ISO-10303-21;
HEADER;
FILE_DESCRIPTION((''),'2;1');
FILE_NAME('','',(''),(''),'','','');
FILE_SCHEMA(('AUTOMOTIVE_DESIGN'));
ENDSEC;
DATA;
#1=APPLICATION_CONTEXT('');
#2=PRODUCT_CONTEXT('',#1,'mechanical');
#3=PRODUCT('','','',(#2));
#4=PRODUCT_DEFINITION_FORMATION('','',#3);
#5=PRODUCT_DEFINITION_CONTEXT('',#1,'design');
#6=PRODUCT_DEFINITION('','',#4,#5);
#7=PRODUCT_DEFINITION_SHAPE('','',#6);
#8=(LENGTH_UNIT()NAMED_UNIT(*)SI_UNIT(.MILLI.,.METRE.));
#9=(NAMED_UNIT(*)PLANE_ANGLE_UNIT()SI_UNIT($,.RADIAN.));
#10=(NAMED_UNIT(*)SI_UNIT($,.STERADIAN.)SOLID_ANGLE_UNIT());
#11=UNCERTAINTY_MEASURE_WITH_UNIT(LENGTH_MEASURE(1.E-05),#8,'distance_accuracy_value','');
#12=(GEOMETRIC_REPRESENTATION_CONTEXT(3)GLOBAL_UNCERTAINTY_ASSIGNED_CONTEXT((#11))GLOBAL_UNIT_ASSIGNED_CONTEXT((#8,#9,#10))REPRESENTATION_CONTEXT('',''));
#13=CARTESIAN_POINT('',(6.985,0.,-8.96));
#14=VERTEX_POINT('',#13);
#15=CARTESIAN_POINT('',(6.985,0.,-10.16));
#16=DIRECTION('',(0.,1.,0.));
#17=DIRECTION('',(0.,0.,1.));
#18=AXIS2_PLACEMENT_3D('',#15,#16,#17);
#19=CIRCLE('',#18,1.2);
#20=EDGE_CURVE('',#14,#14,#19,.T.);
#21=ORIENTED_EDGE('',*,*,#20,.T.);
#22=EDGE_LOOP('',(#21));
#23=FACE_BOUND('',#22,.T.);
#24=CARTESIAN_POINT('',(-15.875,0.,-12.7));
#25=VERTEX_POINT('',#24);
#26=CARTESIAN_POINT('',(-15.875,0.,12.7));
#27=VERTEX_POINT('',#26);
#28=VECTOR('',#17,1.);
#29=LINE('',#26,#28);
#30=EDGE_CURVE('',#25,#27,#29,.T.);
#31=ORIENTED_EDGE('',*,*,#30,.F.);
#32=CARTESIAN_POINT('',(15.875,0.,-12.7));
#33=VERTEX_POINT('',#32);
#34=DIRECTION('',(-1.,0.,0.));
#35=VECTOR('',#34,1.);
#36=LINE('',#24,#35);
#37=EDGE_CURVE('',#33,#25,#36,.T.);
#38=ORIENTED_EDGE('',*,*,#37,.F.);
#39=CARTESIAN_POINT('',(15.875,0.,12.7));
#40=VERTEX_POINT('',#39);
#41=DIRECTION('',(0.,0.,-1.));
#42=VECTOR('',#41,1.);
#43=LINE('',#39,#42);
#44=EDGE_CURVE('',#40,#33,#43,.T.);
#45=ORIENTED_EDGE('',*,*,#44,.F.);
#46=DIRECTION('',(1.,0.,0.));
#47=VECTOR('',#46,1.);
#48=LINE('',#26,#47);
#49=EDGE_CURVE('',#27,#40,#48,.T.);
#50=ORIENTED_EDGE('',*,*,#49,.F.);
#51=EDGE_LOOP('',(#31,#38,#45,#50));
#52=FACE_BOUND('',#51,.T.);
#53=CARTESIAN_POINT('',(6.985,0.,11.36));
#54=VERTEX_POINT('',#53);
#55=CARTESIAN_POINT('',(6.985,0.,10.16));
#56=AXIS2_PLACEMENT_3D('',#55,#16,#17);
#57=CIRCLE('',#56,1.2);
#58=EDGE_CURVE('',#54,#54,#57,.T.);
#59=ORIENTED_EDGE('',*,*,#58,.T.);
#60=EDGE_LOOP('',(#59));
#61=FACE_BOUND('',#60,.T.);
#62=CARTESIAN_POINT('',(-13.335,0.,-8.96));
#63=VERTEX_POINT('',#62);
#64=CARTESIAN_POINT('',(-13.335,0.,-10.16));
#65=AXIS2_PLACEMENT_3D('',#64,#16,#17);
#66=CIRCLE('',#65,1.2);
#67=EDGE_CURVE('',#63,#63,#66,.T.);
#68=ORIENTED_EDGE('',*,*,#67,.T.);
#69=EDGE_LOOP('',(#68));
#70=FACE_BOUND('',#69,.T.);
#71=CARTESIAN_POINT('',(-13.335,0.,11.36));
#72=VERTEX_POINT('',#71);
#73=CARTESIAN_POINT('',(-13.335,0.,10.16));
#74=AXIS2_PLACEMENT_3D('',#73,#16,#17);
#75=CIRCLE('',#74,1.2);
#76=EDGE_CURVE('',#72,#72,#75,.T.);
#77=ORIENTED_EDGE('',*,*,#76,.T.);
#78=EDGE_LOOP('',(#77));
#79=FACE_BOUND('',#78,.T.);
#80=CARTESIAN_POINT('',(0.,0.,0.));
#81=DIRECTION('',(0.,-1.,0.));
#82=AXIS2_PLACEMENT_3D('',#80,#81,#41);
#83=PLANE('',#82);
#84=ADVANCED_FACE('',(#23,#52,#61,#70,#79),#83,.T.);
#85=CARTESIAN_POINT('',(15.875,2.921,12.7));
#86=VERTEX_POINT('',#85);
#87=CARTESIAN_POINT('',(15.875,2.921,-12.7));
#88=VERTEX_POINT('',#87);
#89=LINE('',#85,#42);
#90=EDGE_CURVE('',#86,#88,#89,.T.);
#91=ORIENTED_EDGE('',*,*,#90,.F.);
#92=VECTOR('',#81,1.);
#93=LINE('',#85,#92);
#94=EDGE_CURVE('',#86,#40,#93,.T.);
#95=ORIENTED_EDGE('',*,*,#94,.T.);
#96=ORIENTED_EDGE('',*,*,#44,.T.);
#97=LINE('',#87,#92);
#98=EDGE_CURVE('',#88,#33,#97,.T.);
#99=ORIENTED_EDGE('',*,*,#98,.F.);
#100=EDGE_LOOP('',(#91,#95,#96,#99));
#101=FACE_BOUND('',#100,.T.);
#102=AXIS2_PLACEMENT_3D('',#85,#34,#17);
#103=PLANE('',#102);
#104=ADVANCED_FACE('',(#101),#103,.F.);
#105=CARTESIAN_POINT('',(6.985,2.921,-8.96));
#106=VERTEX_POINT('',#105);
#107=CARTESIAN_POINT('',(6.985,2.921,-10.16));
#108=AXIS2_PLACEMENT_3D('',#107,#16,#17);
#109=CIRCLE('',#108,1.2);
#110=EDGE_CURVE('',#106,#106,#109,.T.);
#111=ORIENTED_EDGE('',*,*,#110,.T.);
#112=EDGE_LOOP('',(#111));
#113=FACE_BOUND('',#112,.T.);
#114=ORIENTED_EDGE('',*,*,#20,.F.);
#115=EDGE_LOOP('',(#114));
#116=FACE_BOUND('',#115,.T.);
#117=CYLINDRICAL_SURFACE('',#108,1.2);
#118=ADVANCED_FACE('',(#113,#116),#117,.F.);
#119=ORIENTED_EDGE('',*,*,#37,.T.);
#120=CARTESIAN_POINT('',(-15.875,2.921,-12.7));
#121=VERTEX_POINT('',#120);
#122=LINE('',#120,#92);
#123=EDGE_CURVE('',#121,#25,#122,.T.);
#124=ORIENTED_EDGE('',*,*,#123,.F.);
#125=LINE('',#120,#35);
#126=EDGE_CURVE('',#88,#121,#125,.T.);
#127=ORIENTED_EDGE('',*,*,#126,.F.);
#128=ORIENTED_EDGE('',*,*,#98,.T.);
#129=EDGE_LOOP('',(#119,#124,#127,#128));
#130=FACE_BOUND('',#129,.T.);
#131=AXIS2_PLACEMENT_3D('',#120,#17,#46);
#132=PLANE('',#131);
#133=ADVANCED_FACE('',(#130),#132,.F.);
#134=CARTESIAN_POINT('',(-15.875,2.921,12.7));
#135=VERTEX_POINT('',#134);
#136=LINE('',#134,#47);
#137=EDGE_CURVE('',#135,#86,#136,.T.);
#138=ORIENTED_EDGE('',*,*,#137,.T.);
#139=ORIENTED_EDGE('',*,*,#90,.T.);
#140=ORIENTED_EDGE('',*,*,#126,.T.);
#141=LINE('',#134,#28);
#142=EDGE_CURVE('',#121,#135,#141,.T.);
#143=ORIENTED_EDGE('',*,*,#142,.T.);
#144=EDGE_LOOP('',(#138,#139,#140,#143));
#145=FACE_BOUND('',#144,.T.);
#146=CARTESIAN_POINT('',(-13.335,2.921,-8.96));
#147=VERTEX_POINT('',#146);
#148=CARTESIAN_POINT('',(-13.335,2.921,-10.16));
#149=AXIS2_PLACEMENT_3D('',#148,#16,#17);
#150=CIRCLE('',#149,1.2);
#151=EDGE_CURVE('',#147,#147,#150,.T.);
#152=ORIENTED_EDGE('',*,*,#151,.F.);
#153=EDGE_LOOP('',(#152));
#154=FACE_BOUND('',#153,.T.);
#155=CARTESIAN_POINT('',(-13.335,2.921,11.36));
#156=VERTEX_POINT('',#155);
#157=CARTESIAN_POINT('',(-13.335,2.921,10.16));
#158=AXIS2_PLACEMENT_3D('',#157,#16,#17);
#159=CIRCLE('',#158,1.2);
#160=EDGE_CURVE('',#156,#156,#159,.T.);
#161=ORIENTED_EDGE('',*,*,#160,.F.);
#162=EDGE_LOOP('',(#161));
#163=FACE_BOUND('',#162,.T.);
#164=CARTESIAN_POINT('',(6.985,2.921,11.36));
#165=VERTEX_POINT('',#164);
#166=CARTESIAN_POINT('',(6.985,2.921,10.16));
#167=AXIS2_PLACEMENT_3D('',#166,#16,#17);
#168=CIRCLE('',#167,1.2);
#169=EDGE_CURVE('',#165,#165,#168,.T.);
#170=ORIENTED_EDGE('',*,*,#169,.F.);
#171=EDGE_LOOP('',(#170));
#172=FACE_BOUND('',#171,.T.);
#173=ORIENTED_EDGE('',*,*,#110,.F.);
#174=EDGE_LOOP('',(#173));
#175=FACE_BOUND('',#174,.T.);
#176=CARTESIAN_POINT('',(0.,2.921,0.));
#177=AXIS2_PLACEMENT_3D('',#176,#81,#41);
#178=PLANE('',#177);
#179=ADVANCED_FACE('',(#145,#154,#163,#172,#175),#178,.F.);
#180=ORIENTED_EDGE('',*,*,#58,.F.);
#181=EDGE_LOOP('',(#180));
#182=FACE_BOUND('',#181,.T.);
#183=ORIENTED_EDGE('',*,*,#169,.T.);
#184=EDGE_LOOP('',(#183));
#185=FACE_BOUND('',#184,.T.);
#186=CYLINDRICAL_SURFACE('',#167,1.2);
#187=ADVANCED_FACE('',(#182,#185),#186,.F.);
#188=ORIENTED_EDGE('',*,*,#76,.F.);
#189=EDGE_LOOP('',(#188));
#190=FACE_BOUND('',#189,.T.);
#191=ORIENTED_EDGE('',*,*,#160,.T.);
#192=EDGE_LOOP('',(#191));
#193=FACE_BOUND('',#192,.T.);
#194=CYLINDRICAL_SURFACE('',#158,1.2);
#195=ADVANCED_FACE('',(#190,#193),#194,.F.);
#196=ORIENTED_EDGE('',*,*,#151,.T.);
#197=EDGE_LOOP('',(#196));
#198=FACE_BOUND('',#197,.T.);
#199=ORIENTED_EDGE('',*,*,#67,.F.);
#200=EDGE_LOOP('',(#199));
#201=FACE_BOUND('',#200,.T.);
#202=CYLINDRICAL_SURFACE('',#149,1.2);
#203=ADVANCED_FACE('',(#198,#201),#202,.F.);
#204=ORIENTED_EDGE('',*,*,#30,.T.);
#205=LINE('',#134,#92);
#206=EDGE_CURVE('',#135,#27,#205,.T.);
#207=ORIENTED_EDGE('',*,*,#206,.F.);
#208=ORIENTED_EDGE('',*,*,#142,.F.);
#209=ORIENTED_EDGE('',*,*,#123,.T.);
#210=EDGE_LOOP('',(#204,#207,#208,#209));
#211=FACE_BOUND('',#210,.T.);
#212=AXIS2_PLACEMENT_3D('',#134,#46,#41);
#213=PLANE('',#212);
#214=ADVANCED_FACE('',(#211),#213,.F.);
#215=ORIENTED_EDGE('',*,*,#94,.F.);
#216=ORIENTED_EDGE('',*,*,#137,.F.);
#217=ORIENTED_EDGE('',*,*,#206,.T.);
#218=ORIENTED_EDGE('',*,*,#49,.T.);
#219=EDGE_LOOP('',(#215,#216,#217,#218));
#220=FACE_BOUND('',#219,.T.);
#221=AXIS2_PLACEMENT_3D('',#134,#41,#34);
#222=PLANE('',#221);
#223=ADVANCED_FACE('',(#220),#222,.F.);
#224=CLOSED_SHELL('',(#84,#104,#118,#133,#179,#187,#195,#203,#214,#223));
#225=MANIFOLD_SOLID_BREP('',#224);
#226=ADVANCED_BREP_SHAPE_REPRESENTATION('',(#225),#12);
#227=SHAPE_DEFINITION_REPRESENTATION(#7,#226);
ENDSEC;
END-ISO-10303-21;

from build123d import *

# Parameters (mm, degrees)
SKETCH1_W            = 31.75
SKETCH1_H            = 25.4
BOSS_EXTRUDE1_DEPTH  = 2.921
M2_CLEARANCE_HOLE1_D = 2.4


with BuildPart() as part:
    # Sketch1 → Boss-Extrude1 (new body)
    with BuildSketch(Plane(origin=(0, 0, 0), x_dir=(1, 0, 0), z_dir=(0, 1, 0))):
        Rectangle(SKETCH1_W, SKETCH1_H)
    extrude(amount=BOSS_EXTRUDE1_DEPTH)

    # M2 Clearance Hole1 (through all)
    with Locations(Plane(origin=(0, 2.921, 0), x_dir=(1, 0, 0), z_dir=(0, 1, 0))):
        with Locations((-13.335, 10.16), (6.985, 10.16), (6.985, -10.16), (-13.335, -10.16)):
            Hole(M2_CLEARANCE_HOLE1_D / 2)


solid = part.part
